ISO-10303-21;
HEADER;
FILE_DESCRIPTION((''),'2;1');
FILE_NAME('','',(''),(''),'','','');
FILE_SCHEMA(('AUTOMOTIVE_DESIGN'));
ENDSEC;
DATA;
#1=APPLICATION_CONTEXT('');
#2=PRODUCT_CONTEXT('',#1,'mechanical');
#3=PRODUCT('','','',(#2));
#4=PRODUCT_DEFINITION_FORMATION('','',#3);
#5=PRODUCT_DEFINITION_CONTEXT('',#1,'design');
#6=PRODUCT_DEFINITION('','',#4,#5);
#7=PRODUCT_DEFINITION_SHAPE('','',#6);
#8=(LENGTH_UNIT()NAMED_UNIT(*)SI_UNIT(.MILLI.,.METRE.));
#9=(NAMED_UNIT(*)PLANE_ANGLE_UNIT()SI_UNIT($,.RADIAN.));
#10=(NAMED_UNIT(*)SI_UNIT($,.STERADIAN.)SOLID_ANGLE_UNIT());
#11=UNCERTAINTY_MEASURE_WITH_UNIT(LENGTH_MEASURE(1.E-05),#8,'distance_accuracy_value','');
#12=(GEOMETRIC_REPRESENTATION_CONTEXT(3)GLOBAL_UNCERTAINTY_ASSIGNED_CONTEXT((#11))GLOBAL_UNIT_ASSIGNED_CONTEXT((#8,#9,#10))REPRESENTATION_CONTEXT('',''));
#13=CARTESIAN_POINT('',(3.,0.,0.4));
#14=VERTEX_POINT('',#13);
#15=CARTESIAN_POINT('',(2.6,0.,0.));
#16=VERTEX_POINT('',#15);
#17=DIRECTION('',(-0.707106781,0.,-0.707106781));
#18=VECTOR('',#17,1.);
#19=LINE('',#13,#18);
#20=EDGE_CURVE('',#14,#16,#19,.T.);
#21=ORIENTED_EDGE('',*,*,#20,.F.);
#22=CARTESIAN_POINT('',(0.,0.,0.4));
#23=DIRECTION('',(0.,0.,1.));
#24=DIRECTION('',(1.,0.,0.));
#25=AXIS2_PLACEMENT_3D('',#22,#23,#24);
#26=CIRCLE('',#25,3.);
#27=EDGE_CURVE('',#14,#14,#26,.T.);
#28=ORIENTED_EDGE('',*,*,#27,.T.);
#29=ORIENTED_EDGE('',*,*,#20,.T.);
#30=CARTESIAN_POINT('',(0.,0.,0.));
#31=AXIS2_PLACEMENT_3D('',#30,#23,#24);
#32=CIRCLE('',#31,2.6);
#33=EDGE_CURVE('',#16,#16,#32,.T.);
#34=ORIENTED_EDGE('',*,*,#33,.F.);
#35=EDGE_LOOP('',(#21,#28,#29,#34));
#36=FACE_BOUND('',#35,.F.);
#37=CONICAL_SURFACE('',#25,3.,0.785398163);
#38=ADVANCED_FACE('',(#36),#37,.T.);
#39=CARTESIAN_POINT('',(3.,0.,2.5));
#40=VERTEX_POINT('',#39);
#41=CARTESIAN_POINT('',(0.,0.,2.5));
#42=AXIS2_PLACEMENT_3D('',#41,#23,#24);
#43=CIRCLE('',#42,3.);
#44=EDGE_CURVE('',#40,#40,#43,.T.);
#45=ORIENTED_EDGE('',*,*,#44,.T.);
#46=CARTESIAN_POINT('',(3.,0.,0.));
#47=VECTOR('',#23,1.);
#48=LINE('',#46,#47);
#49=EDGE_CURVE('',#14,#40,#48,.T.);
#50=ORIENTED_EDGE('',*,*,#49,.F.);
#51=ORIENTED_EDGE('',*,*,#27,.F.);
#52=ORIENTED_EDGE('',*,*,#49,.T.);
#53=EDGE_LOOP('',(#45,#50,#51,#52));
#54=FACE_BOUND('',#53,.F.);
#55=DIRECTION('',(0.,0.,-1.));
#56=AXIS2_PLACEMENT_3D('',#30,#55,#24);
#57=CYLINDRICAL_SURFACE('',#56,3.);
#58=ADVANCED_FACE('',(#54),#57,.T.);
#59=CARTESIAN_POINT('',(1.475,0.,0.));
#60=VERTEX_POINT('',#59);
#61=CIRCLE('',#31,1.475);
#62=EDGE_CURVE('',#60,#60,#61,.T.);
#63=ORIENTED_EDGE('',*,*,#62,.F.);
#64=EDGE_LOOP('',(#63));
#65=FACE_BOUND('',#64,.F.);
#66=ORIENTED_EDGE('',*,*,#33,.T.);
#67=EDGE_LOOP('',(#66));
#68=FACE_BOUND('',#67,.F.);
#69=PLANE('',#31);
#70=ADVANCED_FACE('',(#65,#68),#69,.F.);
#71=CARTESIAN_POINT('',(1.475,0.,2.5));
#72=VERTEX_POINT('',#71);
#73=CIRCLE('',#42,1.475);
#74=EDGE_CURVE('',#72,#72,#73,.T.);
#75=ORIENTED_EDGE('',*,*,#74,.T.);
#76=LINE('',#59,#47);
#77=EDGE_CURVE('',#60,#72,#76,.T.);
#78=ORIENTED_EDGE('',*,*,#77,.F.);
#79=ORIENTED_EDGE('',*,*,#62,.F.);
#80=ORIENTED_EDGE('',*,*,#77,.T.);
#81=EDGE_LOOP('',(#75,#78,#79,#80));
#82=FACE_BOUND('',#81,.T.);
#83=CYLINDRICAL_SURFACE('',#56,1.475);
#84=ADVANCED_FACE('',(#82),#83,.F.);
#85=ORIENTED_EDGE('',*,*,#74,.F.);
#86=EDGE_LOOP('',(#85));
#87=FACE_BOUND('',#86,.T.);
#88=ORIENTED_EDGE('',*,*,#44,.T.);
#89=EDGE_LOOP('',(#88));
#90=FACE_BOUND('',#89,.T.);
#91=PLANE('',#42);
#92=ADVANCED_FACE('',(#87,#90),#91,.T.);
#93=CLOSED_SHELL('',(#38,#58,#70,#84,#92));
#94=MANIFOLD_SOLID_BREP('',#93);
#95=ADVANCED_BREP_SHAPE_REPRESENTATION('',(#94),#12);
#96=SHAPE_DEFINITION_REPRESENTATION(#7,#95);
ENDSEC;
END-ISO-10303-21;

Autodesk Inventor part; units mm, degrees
ref_plane "YZ Plane" through (0, 0, 0) normal (1, 0, 0) x (0, 1, 0)
ref_plane "XZ Plane" through (0, 0, 0) normal (0, 1, 0) x (-1, 0, 0)
ref_plane "XY Plane" through (0, 0, 0) normal (0, 0, 1) x (1, 0, 0)
sketch "Skizze1" plane through (0, 0, 0) normal (0, 0, 1) x (1, 0, 0)
  circle A0 centre (0, 0) radius 3
  circle A1 centre (0, 0) radius 1.475
  dimension "d0" = 6
  dimension "d1" = 2.95
extrude "Extrusion1" add sketch "Skizze1" along normal blind 2.5
chamfer "Fase1" distance 0.4 angle 45 1 edges at (-3, 0, 0)
properties part number "Fuehrungslagerhalter_Stellring"
